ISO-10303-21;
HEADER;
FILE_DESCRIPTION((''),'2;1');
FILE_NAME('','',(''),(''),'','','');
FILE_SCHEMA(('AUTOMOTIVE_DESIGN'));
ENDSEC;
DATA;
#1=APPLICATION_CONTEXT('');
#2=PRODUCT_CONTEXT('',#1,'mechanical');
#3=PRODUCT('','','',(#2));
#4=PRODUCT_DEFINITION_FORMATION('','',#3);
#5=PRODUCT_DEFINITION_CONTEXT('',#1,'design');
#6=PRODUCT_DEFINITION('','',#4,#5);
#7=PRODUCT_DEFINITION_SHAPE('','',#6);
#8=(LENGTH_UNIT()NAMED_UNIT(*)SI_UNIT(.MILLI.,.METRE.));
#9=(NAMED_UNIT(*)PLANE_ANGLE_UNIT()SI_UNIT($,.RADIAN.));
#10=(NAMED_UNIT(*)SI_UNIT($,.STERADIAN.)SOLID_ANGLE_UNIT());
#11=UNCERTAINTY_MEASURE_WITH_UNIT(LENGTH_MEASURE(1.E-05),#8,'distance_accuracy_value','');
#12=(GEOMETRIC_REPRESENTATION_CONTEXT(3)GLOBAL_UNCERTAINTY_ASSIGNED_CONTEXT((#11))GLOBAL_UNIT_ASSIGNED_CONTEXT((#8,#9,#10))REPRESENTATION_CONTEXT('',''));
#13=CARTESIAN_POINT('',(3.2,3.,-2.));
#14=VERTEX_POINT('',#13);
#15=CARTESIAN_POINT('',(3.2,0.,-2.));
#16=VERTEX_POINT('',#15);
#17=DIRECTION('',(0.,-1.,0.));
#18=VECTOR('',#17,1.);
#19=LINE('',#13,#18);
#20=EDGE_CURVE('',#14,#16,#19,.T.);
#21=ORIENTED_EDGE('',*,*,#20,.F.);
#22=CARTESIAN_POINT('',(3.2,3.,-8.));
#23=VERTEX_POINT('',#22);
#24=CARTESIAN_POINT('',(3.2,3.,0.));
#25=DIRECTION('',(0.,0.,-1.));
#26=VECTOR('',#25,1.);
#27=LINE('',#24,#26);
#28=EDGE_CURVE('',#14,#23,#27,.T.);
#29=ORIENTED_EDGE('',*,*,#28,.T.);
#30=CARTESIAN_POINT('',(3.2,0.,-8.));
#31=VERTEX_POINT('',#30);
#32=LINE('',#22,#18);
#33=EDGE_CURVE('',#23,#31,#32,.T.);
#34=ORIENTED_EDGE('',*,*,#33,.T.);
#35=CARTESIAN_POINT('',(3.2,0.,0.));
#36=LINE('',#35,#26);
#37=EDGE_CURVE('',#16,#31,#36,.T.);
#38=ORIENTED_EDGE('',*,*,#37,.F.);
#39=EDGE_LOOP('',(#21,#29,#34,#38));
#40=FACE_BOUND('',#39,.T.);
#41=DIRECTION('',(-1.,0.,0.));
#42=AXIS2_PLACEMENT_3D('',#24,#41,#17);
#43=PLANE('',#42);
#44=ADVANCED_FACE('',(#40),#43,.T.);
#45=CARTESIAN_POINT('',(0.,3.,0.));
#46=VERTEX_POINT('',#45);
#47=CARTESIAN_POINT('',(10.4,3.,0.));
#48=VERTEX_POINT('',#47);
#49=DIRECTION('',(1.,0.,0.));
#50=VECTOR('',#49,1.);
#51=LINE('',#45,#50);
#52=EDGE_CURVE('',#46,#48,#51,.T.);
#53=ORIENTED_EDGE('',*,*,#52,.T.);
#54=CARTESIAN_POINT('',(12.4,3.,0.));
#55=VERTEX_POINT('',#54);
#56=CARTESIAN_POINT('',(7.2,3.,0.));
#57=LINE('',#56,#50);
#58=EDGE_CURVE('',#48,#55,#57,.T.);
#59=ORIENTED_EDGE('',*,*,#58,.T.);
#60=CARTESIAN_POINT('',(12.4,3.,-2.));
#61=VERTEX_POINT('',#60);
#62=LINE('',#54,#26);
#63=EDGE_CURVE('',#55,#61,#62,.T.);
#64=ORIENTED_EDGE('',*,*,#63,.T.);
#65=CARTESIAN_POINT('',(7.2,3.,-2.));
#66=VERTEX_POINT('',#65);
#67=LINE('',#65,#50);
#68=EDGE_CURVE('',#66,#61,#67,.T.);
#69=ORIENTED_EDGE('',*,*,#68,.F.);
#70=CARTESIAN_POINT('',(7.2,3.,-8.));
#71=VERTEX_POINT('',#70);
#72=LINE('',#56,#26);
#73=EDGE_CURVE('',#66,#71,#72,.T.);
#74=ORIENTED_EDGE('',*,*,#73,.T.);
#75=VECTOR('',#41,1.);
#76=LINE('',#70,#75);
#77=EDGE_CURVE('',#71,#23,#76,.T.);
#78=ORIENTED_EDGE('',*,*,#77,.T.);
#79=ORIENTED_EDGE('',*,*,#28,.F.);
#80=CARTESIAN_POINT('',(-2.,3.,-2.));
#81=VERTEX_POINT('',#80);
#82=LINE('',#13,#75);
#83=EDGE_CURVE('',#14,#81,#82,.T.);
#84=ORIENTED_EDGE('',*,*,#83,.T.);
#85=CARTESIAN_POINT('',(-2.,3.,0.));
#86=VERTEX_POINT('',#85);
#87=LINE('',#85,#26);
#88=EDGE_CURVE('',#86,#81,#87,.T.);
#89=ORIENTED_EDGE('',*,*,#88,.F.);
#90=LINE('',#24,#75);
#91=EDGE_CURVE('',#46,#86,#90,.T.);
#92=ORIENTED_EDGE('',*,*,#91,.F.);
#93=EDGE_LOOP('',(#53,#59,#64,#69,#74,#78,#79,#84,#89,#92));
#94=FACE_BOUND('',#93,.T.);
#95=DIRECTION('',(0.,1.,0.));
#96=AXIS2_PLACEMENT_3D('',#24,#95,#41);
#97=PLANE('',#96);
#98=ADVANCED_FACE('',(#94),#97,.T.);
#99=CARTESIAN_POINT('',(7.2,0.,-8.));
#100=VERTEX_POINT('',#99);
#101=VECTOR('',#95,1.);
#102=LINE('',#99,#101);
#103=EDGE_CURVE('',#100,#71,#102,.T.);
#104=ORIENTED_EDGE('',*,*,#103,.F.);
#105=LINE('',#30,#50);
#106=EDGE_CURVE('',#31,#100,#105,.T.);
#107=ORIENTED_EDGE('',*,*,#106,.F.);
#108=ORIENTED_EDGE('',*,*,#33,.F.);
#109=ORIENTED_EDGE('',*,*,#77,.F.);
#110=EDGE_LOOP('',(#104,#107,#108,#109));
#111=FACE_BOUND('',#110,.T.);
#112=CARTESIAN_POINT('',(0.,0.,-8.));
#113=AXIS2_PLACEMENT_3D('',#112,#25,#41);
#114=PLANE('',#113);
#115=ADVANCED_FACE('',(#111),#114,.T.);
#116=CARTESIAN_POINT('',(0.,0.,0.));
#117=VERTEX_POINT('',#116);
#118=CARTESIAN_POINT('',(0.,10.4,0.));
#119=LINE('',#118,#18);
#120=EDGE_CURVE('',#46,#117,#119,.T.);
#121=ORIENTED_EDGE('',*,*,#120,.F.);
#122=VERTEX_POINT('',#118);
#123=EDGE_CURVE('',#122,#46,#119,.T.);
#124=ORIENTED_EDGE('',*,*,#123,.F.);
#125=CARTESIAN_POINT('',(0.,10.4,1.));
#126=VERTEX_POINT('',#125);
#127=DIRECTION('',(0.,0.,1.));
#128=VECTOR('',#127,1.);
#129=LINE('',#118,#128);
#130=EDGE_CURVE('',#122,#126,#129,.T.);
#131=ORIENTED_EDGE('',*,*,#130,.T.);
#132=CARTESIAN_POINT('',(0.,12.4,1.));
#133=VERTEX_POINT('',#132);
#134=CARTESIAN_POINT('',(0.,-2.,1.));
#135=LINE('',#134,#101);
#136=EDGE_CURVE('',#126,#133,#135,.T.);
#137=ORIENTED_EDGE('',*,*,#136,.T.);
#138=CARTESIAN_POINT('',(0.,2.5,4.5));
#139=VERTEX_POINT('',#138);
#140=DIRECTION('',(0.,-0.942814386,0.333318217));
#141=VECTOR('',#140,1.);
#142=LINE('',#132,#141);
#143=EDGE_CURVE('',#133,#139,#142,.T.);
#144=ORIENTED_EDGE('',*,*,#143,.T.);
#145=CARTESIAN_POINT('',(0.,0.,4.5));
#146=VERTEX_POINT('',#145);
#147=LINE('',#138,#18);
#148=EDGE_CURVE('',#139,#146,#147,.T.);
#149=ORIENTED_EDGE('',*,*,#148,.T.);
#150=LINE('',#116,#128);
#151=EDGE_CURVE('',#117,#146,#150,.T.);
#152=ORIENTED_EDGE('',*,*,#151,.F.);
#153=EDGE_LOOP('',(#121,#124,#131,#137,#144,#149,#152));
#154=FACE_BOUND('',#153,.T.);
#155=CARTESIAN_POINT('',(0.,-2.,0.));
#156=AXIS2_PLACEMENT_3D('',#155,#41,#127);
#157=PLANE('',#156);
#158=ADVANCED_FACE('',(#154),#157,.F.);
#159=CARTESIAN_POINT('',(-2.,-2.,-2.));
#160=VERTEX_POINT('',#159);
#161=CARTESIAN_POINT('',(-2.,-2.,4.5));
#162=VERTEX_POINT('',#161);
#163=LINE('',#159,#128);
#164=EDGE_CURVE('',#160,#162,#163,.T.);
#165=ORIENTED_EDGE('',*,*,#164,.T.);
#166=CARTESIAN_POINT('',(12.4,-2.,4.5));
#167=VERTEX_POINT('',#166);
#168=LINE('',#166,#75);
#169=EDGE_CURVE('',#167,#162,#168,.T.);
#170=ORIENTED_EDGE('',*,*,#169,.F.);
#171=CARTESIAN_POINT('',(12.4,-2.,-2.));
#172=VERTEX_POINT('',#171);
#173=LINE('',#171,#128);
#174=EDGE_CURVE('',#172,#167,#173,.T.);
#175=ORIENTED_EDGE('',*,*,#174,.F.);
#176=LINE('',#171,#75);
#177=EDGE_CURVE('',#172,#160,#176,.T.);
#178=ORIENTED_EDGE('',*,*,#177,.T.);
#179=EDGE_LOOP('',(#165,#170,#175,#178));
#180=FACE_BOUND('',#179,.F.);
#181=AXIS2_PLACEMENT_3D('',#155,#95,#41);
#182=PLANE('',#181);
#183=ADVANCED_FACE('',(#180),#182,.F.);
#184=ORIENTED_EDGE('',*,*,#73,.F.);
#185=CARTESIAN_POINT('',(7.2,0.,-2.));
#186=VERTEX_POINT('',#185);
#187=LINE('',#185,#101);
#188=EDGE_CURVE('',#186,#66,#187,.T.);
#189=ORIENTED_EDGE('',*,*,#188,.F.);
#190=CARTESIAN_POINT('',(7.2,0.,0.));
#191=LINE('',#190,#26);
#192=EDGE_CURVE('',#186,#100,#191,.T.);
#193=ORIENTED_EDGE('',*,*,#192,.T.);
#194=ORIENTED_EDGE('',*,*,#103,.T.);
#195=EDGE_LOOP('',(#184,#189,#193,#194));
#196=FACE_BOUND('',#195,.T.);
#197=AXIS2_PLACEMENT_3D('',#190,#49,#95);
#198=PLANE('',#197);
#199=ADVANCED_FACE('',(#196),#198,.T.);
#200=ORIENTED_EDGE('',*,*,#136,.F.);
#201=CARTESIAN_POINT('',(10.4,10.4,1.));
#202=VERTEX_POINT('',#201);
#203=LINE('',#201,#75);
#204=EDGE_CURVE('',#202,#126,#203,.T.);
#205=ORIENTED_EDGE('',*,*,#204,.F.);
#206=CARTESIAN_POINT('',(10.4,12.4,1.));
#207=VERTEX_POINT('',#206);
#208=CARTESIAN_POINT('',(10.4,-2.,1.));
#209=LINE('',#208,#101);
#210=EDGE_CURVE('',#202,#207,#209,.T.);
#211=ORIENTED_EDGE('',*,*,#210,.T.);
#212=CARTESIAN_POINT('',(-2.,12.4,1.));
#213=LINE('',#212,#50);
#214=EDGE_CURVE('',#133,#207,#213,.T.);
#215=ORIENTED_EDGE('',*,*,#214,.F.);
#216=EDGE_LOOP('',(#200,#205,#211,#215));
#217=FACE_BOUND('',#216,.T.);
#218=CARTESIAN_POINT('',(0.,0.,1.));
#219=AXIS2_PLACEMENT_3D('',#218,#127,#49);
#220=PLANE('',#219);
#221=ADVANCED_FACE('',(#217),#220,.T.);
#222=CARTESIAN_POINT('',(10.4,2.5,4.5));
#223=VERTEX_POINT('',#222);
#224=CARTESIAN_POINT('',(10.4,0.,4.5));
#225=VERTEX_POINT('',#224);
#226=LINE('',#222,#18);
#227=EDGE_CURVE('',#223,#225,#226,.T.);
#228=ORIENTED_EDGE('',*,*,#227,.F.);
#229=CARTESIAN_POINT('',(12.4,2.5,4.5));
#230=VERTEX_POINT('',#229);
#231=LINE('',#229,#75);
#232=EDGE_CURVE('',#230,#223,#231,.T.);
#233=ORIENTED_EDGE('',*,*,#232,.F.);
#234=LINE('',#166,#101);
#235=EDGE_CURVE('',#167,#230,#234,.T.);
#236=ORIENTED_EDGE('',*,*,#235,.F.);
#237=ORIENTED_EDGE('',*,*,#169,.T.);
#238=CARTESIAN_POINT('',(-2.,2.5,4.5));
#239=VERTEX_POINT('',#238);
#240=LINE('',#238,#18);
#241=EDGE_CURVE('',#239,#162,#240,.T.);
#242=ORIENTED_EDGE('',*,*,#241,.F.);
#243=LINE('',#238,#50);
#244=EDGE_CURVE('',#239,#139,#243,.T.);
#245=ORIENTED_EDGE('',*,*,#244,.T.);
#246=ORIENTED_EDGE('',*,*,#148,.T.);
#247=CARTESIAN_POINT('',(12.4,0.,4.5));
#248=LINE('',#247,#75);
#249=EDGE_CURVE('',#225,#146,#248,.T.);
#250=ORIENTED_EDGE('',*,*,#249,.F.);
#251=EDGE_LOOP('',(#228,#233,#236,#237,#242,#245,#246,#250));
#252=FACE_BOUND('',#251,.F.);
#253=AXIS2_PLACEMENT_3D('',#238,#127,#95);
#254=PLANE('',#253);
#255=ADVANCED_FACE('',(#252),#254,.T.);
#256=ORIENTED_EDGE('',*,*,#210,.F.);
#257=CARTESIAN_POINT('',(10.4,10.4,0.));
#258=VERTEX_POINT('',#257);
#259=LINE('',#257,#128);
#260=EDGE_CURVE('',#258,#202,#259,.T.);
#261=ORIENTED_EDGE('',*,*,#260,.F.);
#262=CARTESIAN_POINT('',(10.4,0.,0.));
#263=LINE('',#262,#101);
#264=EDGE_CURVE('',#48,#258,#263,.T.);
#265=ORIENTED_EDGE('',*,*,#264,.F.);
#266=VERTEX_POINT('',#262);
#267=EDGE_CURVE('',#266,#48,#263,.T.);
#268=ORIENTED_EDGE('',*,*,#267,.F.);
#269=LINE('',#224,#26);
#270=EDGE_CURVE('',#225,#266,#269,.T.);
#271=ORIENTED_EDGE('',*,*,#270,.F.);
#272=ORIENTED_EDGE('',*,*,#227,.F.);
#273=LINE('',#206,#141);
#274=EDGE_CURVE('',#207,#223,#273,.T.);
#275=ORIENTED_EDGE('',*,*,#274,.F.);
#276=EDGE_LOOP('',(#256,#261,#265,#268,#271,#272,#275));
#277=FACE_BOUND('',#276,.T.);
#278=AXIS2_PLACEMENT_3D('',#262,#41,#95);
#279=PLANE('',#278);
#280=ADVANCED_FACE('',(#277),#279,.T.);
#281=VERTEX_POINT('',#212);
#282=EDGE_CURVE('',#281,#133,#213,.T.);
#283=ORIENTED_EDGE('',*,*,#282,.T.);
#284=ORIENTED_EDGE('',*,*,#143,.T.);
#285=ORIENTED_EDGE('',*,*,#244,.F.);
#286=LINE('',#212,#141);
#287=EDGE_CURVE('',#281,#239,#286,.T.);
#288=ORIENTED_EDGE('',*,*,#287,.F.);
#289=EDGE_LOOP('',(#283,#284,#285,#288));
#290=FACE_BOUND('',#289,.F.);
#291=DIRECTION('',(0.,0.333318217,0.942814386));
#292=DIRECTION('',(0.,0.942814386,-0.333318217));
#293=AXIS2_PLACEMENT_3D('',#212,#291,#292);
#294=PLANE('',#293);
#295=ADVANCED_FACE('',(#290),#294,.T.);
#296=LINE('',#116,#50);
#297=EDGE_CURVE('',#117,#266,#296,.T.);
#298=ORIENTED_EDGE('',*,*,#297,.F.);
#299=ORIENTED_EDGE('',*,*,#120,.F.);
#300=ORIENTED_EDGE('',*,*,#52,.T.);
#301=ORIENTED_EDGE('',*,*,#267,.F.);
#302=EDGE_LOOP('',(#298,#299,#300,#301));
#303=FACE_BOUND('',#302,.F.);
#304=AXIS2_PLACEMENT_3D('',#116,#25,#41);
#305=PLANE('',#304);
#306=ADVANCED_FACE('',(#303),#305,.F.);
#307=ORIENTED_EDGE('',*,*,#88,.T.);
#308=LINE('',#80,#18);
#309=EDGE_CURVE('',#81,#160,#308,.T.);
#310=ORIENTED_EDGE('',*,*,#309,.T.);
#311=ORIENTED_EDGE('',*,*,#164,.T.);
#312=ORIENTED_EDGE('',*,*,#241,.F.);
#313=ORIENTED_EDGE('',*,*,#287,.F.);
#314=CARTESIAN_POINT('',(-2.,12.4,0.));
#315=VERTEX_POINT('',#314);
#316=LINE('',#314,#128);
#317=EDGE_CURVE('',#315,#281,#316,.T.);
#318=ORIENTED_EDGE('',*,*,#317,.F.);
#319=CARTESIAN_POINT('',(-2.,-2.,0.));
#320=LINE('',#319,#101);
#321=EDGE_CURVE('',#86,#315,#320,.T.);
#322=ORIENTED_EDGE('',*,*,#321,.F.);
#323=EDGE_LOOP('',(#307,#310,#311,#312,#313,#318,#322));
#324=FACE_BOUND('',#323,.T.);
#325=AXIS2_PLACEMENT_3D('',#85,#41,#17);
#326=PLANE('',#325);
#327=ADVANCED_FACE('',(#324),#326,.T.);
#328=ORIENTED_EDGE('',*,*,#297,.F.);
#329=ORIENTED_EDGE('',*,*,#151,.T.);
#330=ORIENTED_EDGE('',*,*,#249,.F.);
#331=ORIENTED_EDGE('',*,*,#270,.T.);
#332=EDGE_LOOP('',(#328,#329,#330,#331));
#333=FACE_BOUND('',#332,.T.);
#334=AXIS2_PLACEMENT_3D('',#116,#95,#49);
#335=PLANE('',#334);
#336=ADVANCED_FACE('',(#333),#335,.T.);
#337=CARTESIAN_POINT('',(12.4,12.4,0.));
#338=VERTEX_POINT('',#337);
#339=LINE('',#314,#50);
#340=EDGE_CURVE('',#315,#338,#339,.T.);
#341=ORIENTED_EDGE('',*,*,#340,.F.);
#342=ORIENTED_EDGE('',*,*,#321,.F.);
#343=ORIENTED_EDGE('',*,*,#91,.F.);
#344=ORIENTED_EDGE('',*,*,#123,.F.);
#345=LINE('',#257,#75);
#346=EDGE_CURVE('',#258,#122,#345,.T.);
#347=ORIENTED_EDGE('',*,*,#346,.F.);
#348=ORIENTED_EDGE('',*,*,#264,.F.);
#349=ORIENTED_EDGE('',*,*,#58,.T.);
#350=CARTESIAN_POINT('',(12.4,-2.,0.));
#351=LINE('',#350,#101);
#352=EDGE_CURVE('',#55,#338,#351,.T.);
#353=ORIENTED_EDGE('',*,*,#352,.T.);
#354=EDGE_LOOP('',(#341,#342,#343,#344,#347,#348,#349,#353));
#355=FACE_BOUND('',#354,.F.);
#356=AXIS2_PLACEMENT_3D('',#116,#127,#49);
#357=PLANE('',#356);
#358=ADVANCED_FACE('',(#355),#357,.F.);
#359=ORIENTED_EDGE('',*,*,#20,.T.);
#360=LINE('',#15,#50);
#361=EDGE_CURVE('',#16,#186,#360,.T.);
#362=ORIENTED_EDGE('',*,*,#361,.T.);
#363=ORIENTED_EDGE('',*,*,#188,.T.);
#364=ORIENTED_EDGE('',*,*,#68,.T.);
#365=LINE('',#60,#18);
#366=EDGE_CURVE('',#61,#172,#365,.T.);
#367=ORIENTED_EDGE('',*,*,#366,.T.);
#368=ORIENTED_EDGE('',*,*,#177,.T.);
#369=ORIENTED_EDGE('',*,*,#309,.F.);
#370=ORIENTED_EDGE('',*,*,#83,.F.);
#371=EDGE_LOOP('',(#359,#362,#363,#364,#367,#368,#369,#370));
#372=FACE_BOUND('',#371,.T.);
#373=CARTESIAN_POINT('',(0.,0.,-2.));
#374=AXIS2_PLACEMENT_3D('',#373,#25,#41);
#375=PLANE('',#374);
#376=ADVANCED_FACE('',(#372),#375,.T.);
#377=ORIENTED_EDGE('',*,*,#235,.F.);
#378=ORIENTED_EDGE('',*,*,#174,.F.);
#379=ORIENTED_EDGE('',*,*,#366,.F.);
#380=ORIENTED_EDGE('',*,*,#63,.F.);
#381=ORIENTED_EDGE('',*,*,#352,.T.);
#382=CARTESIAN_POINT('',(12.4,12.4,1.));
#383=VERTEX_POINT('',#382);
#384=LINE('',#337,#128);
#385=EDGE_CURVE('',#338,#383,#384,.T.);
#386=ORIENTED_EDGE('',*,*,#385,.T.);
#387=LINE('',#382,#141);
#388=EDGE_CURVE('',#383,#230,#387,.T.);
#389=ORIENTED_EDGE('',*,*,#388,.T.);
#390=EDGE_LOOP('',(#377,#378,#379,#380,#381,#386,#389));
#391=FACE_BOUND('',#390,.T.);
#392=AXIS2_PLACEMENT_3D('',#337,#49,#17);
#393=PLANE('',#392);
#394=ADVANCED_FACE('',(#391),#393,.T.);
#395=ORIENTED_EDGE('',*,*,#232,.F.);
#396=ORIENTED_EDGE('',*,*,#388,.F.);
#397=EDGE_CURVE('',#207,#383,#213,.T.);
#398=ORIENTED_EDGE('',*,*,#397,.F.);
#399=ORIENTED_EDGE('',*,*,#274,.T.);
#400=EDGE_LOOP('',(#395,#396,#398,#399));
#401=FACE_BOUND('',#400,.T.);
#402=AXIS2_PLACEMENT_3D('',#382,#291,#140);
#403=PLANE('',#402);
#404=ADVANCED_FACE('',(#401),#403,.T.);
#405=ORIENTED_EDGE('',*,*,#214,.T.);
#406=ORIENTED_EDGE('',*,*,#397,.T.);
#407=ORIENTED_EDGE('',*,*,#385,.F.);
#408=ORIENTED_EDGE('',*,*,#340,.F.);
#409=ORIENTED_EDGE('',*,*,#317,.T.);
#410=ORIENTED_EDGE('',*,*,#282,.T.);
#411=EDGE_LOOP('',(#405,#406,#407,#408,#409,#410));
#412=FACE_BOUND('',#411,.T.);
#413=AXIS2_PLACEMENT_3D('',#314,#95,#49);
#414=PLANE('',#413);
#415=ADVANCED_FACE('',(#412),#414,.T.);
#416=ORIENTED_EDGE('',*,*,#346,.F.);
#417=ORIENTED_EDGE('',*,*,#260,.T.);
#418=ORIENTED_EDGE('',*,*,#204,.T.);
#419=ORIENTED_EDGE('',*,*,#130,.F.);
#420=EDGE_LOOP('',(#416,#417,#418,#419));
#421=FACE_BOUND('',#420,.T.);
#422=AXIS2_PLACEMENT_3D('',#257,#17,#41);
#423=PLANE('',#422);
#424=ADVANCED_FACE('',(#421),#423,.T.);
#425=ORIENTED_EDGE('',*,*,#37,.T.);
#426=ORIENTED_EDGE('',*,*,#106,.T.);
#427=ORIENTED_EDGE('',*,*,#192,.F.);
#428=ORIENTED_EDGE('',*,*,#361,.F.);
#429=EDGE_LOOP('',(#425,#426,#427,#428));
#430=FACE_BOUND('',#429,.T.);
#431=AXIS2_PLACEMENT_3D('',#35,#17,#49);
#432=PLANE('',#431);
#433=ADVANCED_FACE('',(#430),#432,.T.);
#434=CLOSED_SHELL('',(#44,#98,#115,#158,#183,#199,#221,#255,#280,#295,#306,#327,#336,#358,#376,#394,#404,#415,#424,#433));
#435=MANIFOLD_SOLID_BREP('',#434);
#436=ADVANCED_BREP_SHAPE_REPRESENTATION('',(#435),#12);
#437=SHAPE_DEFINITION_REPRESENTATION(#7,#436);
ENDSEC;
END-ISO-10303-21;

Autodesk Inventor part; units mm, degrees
ref_plane "YZ Plane" through (0, 0, 0) normal (1, 0, 0) x (0, 1, 0)
ref_plane "XZ Plane" through (0, 0, 0) normal (0, 1, 0) x (-1, 0, 0)
sketch "Sketch1" plane through (0, 0, 0) normal (0, 0, 1) x (1, 0, 0)
  line L0 (0, 0) -> (10.4, 0)
  line L1 (10.4, 0) -> (10.4, 10.4)
  line L2 (10.4, 10.4) -> (0, 10.4)
  line L3 (0, 10.4) -> (0, 0)
  line L4 (-2, 12.4) -> (12.4, 12.4)
  line L5 (12.4, 12.4) -> (12.4, -2)
  line L6 (12.4, -2) -> (-2, -2)
  line L7 (-2, -2) -> (-2, 12.4)
  dimension "d0" = 10.4
  dimension "d1" = 10.4
  dimension "d2" = 2
extrude "Extrusion1" add sketch "Sketch1" along normal blind 1
sketch "Sketch2" plane through (12.4, -2, 0) normal (1, 0, 0) x (0, 0, -1)
  line L0 (0, 14.4) -> (-1, 14.4) projected
  line L1 (-1, 14.4) -> (-4.5, 4.5)
  line L2 (-4.5, 4.5) -> (-4.5, 0)
  line L3 (0, 0) -> (-1, 0) projected
  line L4 (-4.5, 0) -> (-1, 0)
  line L5 (-1, 0) -> (-1, 14.4)
  line L6 (-1, 14.4) -> (-4.5, 14.4)
  line L7 (-4.5, 14.4) -> (-4.5, 4.5)
  point P0 (0, 2)
  dimension "d5" = 4.5
  dimension "d6" = 4.5
extrude "Extrusion3" add sketch "Sketch2" against normal up to surface (2 mm away) contours L5 L4 L2 L1
ref_plane "Work Plane1" through (5.2, 0, 0) normal (1, 0, 0) x (0, 0, -1)
mirror "Mirror1" about plane through (5.2, 0, 0) normal (1, 0, 0) of "Extrusion3"
sketch "Sketch5" plane through (-2, -2, 0) normal (0, -1, 0) x (1, 0, 0)
  line L0 (14.4, 0) -> (0, 0) projected
  line L1 (14.4, 0) -> (14.4, 4.5) projected
  line L2 (0, 0) -> (14.4, 0)
  line L3 (14.4, 0) -> (14.4, 4.5)
  line L4 (14.4, 4.5) -> (0, 4.5)
  line L5 (0, 4.5) -> (0, 0)
  point P0 (2, 0)
extrude "Extrusion4" add sketch "Sketch5" against normal blind 2
sketch "Sketch6" plane through (0, 0, 0) normal (0, 0, -1) x (-1, 0, 0)
  line L0 (-7.2, 3) -> (-3.2, 3)
  line L1 (-3.2, 3) -> (-3.2, 0)
  line L2 (-3.2, 0) -> (-7.2, 0)
  line L3 (-7.2, 0) -> (-7.2, 3)
  line L4 (-12.4, -2) -> (2, -2) projected
  line L5 (-7.2, 3) -> (-12.4, 3)
  line L6 (-3.2, 3) -> (2, 3)
  line L7 (-10.4, -2) -> (0, -2)
  line L8 (-12.4, 3) -> (-12.4, -2)
  line L9 (2, 3) -> (2, -2)
  point P0 (0, 0)
  point P1 (-5.2, 3)
  point P2 (-5.2, -2)
  dimension "d15" = 4
  dimension "d16" = 3
  dimension "d17" = 2
extrude "Extrusion5" add sketch "Sketch6" along normal blind 8 contours L0 L1 L2 L3
extrude "Extrusion6" add sketch "Sketch6" along normal blind 2 contours L3 L2 L1 L6 L9 L4 L8 L5
sketch "Sketch4" plane through (-2, -2, 0) normal (0, -1, 0) x (1, 0, 0)
  line L0 (14.4, 1) -> (0, 1) projected
  line L1 (0, 1) -> (14.4, 1)
  line L2 (0, 1) -> (0, 4.5)
  line L3 (0, 4.5) -> (2, 4.5)
  line L4 (2, 4.5) -> (2, 3)
  line L5 (2, 3) -> (12.4, 3)
  line L6 (12.4, 3) -> (12.4, 4.5)
  line L7 (12.4, 4.5) -> (14.4, 4.5)
  line L8 (14.4, 4.5) -> (14.4, 1)
  point P0 (2, 0)
  point P1 (12.4, 1)
  point P2 (2, 1)
  dimension "d8" = 2
properties part number "Encoder Mount" material "ABS Plastic"
